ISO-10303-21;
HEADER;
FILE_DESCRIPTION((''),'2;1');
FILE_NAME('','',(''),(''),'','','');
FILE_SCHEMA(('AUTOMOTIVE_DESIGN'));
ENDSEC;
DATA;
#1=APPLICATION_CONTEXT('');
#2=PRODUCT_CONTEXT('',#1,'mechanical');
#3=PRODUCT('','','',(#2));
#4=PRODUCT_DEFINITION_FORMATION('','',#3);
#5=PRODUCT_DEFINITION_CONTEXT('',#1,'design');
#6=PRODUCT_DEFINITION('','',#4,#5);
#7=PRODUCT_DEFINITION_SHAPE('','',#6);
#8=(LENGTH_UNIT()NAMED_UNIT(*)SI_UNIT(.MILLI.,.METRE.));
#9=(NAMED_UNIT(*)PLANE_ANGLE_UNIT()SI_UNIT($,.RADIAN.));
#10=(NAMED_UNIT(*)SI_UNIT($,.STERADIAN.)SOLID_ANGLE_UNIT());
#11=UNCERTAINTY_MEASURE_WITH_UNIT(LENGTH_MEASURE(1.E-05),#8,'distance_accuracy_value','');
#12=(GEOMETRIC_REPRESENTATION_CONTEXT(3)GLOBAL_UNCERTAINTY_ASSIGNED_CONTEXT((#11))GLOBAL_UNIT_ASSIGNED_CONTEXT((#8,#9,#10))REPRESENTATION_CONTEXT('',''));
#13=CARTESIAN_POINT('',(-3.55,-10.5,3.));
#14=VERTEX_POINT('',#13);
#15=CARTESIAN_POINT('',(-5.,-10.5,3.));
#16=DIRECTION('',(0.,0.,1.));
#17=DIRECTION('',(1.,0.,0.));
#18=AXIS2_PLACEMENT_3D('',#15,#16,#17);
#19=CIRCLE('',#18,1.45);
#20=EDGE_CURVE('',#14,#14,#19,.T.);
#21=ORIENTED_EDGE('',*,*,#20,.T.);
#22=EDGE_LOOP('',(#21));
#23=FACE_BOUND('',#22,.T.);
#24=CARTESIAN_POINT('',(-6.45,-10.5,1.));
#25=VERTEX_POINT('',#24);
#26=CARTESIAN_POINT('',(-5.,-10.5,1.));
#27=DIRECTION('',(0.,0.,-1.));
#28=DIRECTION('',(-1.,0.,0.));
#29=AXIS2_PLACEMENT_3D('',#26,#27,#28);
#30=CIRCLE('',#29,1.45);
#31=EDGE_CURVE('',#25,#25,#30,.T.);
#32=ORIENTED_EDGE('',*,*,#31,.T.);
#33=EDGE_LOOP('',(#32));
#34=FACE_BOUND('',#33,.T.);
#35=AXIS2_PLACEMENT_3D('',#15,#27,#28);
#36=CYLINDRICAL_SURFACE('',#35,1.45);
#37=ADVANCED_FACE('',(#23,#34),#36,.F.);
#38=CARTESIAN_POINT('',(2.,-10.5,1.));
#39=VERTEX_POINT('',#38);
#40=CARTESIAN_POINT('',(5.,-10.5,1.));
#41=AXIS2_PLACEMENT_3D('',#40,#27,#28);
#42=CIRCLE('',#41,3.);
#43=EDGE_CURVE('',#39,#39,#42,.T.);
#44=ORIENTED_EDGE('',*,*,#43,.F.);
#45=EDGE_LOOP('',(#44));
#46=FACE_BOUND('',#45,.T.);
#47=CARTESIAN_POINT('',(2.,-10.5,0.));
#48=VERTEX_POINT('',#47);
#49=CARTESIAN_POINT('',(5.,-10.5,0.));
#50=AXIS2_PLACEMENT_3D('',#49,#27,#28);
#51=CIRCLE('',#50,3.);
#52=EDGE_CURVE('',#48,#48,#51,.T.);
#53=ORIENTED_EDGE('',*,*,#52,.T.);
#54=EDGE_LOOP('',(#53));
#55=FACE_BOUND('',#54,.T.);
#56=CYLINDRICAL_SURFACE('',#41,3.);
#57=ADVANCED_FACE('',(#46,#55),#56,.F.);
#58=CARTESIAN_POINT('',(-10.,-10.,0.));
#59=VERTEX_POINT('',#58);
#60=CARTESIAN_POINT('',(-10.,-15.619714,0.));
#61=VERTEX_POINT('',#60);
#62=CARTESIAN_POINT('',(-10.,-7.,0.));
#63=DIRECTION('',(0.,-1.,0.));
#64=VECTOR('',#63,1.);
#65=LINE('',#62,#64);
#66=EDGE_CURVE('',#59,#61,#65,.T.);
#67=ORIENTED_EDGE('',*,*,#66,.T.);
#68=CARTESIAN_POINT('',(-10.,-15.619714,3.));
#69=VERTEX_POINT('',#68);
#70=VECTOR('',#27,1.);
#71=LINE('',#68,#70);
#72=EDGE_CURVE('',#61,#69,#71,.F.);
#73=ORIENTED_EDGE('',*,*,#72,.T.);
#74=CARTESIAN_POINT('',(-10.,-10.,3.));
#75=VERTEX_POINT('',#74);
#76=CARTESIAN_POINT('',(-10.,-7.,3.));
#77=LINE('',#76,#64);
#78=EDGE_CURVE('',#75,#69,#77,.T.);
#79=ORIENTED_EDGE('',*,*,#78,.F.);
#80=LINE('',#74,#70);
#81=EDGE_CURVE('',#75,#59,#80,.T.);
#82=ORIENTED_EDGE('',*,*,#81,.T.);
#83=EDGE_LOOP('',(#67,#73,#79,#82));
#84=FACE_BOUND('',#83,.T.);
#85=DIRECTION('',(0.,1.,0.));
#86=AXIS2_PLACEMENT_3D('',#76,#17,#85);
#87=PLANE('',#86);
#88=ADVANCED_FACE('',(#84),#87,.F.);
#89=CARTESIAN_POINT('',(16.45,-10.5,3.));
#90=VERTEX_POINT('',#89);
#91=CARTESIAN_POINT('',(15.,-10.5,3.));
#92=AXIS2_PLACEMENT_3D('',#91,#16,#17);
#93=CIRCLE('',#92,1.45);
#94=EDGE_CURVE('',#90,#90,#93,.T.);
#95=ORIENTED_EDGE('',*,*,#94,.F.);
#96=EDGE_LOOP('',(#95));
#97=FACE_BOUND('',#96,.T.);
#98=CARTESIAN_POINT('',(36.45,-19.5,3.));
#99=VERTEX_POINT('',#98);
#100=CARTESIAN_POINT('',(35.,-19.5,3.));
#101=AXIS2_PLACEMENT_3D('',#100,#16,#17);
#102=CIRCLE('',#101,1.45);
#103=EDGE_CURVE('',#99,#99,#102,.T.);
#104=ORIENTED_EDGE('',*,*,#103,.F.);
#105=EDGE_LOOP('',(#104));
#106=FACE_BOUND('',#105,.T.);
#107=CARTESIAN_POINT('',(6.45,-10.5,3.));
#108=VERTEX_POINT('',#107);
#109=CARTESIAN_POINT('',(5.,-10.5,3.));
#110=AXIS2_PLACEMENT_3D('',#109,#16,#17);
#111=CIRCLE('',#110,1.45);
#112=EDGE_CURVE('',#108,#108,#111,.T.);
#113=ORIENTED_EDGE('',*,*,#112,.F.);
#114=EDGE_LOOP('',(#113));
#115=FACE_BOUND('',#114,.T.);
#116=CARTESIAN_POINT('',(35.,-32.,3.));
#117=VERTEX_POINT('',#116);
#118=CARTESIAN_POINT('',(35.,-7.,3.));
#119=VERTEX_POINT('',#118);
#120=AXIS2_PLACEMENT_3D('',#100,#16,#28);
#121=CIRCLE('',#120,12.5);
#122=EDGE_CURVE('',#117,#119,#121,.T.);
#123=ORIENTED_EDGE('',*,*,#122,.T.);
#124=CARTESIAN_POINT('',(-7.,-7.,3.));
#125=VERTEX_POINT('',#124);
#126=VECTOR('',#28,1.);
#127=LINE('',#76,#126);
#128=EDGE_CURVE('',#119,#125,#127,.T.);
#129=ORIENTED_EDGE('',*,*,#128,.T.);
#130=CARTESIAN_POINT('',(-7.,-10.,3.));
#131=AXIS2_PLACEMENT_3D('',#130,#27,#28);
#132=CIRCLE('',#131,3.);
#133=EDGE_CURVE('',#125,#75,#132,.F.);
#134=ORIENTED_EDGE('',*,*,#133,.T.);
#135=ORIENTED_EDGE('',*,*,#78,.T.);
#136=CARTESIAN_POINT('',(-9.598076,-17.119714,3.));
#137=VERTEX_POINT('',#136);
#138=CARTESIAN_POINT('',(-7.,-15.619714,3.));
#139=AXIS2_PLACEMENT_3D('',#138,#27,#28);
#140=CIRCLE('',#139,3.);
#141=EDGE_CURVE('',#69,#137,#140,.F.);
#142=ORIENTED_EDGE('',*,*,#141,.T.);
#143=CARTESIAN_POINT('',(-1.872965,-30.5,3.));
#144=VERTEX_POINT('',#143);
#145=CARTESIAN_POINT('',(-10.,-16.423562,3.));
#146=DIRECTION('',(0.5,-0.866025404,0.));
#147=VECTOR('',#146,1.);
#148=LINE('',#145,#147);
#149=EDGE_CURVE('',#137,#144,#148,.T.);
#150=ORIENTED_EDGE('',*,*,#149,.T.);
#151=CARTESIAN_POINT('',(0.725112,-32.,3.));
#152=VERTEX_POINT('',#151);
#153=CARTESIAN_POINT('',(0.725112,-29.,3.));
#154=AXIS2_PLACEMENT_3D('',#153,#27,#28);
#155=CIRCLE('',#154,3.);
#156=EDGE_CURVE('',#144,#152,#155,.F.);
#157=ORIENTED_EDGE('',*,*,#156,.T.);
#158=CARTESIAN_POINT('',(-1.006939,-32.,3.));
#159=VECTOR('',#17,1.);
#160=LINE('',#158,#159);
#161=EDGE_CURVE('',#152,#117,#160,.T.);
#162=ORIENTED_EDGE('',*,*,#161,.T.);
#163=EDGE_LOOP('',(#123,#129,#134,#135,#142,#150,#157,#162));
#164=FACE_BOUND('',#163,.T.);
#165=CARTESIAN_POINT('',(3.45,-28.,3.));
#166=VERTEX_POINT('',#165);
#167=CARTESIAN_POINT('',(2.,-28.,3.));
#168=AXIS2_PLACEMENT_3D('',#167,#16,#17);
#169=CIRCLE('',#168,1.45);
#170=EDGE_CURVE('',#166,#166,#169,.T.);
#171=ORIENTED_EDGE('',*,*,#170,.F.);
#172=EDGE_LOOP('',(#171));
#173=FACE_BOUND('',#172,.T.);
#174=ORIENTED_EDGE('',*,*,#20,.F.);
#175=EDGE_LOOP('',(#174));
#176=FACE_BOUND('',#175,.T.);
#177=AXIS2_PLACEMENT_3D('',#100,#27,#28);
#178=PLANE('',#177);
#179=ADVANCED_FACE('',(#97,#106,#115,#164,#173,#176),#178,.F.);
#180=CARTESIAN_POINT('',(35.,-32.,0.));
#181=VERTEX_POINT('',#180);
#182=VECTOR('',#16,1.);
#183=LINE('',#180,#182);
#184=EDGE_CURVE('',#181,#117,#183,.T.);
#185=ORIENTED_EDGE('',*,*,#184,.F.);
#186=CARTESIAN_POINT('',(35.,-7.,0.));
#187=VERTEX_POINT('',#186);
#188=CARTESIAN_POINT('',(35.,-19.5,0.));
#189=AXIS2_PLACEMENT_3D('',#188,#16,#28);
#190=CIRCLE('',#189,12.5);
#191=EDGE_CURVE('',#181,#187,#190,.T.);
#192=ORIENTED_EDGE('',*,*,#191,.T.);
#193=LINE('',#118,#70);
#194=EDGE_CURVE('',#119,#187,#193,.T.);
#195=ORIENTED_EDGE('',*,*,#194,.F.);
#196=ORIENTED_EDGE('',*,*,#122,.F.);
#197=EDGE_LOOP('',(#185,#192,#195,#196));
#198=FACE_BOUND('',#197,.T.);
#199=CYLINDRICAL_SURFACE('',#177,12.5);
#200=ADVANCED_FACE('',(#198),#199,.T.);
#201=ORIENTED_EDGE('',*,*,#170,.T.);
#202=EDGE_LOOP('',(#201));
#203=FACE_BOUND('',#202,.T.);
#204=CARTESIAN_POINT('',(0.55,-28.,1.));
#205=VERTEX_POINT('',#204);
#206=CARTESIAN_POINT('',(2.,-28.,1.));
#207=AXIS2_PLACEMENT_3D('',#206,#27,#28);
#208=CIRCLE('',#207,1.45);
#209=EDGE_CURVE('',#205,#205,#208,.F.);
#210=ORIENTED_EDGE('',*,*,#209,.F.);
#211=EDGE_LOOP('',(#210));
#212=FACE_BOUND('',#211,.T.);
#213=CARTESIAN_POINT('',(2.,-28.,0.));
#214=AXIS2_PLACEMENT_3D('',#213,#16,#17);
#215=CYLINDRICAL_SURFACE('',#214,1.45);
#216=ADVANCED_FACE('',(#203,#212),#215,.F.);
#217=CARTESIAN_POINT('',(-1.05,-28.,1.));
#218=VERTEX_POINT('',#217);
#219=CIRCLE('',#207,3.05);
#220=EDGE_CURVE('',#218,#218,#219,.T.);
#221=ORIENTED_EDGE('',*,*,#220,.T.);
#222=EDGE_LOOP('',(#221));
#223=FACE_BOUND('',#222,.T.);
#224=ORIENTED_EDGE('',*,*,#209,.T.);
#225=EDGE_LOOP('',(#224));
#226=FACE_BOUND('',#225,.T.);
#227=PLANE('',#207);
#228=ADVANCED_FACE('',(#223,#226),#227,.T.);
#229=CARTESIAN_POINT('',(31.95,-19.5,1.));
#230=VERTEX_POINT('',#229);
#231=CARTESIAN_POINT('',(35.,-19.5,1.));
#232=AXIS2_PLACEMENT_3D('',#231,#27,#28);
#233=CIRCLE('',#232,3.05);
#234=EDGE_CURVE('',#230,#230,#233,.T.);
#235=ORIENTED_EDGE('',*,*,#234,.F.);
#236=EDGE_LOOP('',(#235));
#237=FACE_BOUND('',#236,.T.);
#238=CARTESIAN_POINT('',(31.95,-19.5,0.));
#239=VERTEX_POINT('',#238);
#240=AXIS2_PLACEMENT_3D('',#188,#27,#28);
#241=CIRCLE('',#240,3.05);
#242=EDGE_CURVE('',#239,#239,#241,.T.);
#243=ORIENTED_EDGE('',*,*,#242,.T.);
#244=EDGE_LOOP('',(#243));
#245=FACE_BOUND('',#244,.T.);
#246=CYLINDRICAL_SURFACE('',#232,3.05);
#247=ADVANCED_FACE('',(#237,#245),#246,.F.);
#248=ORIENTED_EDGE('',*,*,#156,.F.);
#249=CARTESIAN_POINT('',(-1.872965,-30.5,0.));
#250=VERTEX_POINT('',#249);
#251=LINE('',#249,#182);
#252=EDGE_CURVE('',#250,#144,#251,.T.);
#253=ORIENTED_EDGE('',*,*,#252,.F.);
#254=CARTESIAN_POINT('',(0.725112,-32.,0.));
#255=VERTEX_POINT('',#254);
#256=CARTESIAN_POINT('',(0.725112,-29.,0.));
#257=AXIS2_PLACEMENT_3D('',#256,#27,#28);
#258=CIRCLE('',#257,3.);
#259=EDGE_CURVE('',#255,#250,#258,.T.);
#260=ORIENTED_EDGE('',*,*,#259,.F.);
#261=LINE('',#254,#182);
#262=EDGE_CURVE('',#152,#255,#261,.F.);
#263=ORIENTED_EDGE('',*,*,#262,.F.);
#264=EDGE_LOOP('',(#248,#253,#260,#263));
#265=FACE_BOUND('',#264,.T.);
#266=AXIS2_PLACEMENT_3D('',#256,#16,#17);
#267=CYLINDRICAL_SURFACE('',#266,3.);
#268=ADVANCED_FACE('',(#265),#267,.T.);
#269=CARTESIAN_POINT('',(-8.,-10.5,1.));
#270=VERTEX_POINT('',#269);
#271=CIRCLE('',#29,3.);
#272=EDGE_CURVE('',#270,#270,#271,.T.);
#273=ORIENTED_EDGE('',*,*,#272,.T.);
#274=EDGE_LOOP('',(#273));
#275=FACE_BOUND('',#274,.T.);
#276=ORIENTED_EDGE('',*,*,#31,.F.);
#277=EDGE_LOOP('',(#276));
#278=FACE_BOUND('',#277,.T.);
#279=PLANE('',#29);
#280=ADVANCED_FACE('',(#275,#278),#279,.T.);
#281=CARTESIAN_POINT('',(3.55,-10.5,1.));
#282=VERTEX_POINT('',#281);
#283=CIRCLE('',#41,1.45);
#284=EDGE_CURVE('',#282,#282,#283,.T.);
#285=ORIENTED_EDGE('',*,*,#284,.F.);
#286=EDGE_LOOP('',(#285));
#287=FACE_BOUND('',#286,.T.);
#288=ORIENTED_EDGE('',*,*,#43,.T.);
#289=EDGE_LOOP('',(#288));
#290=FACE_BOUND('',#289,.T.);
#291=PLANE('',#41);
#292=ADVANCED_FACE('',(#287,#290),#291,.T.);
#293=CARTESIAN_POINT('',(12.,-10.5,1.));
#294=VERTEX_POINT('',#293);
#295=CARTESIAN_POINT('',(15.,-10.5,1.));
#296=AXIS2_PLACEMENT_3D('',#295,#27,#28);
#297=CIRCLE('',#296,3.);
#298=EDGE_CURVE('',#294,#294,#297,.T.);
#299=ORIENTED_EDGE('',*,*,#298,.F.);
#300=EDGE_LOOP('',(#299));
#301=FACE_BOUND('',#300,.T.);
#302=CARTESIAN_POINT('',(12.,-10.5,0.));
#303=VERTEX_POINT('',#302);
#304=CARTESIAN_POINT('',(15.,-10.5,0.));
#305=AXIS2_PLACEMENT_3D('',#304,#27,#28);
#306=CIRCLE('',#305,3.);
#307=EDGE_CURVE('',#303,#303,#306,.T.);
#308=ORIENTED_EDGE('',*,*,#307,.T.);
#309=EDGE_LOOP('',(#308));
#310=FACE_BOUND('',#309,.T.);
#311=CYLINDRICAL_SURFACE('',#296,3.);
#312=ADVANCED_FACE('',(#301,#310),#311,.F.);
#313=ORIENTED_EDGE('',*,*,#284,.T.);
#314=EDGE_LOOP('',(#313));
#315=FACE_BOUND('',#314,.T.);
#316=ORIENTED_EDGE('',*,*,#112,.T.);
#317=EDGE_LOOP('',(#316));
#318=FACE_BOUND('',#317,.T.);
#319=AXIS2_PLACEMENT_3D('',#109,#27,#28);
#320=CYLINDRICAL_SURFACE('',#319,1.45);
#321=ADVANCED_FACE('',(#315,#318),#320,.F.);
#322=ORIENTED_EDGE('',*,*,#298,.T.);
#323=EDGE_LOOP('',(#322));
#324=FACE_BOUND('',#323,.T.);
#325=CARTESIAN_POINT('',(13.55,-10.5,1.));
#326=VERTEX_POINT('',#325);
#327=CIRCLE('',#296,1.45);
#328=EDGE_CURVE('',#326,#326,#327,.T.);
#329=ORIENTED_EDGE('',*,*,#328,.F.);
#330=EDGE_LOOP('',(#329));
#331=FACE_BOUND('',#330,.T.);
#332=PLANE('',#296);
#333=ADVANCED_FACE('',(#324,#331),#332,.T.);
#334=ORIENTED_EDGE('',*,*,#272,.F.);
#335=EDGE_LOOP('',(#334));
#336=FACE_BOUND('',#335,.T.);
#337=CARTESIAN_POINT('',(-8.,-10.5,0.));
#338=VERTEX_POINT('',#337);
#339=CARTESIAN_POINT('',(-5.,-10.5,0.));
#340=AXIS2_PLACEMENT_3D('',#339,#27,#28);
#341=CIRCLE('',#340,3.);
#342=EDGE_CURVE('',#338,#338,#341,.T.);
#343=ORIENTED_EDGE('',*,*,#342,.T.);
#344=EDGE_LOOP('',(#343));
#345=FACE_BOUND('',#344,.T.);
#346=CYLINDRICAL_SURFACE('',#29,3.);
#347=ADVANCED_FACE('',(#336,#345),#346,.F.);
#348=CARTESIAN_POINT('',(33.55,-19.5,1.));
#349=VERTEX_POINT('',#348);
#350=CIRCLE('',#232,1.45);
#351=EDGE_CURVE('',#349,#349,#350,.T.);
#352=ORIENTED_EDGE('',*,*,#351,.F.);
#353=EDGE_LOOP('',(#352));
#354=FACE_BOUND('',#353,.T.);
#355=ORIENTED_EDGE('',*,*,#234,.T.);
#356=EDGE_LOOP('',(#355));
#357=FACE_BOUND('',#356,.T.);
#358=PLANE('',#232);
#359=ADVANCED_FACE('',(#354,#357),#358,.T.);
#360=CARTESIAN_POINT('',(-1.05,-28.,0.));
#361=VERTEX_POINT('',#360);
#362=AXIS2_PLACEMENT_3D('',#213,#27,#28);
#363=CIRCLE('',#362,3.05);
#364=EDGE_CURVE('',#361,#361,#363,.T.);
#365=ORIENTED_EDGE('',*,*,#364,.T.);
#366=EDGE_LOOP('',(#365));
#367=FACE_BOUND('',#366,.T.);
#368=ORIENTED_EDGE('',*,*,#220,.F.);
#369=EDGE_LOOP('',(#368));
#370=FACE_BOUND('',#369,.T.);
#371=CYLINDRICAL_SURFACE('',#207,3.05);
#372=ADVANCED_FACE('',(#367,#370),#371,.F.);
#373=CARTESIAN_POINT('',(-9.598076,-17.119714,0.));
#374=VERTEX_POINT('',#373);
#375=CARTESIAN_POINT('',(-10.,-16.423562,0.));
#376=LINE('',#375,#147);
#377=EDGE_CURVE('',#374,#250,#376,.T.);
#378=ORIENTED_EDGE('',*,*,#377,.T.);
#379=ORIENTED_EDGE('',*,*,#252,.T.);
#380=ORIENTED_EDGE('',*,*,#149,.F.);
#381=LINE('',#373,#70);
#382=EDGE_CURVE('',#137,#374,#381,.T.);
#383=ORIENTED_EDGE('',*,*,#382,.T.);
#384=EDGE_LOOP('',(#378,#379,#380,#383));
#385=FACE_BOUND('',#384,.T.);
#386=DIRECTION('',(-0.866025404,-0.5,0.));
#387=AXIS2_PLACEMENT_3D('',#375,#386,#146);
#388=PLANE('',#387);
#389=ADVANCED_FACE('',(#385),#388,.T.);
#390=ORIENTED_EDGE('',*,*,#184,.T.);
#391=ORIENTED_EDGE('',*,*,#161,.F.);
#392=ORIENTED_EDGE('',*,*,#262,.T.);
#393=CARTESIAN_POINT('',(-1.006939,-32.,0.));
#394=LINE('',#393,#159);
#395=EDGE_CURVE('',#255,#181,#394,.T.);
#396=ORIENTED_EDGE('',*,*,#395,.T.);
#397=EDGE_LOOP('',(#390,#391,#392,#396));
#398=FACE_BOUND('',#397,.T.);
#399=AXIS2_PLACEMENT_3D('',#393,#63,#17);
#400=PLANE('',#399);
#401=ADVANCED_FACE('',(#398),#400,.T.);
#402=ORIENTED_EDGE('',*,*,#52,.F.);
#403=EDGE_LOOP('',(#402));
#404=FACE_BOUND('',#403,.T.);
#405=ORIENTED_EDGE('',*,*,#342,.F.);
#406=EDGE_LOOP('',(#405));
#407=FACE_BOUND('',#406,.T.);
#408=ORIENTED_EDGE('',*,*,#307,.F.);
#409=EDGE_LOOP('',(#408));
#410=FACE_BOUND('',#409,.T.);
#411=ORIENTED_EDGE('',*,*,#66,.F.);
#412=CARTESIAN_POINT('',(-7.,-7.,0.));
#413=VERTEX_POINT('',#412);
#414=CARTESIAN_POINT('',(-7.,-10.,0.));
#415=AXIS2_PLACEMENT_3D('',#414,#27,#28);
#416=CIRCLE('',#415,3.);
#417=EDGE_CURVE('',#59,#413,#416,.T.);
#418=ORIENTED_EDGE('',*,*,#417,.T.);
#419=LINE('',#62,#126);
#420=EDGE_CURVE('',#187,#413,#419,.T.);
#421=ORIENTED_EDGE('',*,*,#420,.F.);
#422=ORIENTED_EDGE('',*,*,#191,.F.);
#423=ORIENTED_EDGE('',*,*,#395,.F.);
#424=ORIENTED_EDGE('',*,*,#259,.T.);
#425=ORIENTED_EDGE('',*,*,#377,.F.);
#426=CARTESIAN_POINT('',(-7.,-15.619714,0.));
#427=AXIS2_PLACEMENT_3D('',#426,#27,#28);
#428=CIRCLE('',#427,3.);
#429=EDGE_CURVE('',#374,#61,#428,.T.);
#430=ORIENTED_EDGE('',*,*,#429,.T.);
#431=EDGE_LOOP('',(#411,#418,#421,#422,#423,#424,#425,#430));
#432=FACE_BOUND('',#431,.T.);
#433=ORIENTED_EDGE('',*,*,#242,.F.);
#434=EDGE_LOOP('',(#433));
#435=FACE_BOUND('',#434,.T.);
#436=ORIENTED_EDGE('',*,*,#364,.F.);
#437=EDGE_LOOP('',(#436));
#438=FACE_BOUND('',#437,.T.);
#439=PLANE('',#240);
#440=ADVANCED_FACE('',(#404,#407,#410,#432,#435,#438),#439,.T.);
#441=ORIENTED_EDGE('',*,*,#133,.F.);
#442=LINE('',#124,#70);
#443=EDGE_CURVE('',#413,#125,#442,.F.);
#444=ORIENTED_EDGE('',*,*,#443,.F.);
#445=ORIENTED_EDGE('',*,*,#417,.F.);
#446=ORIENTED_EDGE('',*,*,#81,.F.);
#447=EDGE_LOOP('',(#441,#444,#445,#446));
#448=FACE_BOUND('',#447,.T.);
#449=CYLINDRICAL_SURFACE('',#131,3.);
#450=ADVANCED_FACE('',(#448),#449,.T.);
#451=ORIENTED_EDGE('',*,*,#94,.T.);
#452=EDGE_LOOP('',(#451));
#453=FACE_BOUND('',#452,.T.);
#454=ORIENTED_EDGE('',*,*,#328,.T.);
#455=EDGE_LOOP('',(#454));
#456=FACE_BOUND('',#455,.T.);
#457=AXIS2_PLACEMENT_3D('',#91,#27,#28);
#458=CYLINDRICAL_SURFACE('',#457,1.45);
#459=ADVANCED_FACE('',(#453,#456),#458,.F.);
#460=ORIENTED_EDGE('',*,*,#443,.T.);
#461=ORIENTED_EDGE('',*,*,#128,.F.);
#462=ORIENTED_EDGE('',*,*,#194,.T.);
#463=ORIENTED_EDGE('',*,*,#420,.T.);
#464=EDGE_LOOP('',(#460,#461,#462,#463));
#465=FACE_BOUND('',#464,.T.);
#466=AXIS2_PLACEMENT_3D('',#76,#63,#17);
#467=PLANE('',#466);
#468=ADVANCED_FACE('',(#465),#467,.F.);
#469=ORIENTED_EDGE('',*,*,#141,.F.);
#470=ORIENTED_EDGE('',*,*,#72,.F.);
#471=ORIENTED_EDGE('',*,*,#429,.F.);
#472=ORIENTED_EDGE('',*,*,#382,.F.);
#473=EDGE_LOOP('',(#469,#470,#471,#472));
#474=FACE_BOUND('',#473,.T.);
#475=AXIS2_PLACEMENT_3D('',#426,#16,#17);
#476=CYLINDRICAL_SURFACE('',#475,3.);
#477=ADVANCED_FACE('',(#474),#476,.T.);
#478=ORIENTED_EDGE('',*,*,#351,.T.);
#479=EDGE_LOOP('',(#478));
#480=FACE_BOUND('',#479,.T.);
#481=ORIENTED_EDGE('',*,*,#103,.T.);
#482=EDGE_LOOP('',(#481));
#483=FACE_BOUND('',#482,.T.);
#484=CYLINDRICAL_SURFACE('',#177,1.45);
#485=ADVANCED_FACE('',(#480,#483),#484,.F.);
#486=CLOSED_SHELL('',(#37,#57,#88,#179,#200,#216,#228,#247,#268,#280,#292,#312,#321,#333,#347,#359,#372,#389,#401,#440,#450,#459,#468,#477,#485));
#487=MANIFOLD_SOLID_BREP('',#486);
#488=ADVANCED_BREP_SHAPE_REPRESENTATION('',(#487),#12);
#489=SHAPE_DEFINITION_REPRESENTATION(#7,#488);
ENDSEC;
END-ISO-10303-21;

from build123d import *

# Parameters (mm, degrees)
SKETCH_2_R          = 1.45
EXTRUDE_1_DEPTH     = 3
SKETCH_3_R          = 1.45
EXTRUDE_2_DEPTH     = 3
SKETCH_6_R          = 3
CUT_EXTRUDE_2_DEPTH = 1
EXTRUDE_3_DEPTH     = 3
SKETCH_9_R          = 3.05
CUT_EXTRUDE_5_DEPTH = 1
FILLET_1_R          = 3
SKETCH_11_R         = 3.05
CUT_EXTRUDE_7_DEPTH = 1


with BuildPart() as part:
    # 草图2 → 凸台-拉伸1 (new body)
    with BuildSketch(Plane.XY):
        with BuildLine():
            Line((-10, -7), (-10, -16.423561614))
            Line((-10, -16.423561614), (30.724748208, -31.24615776))
            ThreePointArc((30.724748208, -31.24615776), (47.310096913, -21.670602221), (35, -7))
            Line((35, -7), (-10, -7))
        make_face()
        with Locations((35, -19.5)):
            Circle(SKETCH_2_R, mode=Mode.SUBTRACT)
        with Locations((15, -10.5)):
            Circle(SKETCH_2_R, mode=Mode.SUBTRACT)
        with Locations((5, -10.5)):
            Circle(SKETCH_2_R, mode=Mode.SUBTRACT)
        with Locations((-5, -10.5)):
            Circle(SKETCH_2_R, mode=Mode.SUBTRACT)
    extrude(amount=EXTRUDE_1_DEPTH)

    # 草图3 → 凸台-拉伸2 (add)
    with BuildSketch(Plane.XY.offset(3)):
        Polygon((-10, -16.423561614), (32.795912741, -32), (-1.006939105, -32), align=None)
        with Locations((2, -28)):
            Circle(SKETCH_3_R, mode=Mode.SUBTRACT)
    extrude(amount=-EXTRUDE_2_DEPTH)

    # 草图6 → 切除-拉伸2 (cut)
    with BuildSketch(Plane(origin=(0, 0, 0), x_dir=(-1, 0, 0), z_dir=(0, 0, -1))):
        with Locations((-15, -10.5)):
            Circle(SKETCH_6_R)
        with Locations((-5, -10.5)):
            Circle(SKETCH_6_R)
        with Locations((5, -10.5)):
            Circle(SKETCH_6_R)
    extrude(amount=-CUT_EXTRUDE_2_DEPTH, mode=Mode.SUBTRACT)

    # 草图8 → 凸台-拉伸3 (add)
    with BuildSketch(Plane.XY.offset(3)):
        Polygon((32.795912741, -32), (35, -32), (30.724748208, -31.24615776), align=None)
    extrude(amount=-EXTRUDE_3_DEPTH)

    # 草图9 → 切除-拉伸5 (cut)
    with BuildSketch(Plane(origin=(0, 0, 0), x_dir=(-1, 0, 0), z_dir=(0, 0, -1))):
        with Locations((-2, -28)):
            Circle(SKETCH_9_R)
    extrude(amount=-CUT_EXTRUDE_5_DEPTH, mode=Mode.SUBTRACT)

    # 圆角1
    fillet_1_edges = [part.edges().sort_by_distance(p)[0] for p in [
        (-1.006939105, -32, 1.5),
        (-10, -16.423561614, 1.5),
        (-10, -7, 1.5),
    ]]
    fillet(fillet_1_edges, radius=FILLET_1_R)

    # 草图11 → 切除-拉伸7 (cut)
    with BuildSketch(Plane(origin=(0, 0, 0), x_dir=(-1, 0, 0), z_dir=(0, 0, -1))):
        with Locations((-35, -19.5)):
            Circle(SKETCH_11_R)
    extrude(amount=-CUT_EXTRUDE_7_DEPTH, mode=Mode.SUBTRACT)


solid = part.part
